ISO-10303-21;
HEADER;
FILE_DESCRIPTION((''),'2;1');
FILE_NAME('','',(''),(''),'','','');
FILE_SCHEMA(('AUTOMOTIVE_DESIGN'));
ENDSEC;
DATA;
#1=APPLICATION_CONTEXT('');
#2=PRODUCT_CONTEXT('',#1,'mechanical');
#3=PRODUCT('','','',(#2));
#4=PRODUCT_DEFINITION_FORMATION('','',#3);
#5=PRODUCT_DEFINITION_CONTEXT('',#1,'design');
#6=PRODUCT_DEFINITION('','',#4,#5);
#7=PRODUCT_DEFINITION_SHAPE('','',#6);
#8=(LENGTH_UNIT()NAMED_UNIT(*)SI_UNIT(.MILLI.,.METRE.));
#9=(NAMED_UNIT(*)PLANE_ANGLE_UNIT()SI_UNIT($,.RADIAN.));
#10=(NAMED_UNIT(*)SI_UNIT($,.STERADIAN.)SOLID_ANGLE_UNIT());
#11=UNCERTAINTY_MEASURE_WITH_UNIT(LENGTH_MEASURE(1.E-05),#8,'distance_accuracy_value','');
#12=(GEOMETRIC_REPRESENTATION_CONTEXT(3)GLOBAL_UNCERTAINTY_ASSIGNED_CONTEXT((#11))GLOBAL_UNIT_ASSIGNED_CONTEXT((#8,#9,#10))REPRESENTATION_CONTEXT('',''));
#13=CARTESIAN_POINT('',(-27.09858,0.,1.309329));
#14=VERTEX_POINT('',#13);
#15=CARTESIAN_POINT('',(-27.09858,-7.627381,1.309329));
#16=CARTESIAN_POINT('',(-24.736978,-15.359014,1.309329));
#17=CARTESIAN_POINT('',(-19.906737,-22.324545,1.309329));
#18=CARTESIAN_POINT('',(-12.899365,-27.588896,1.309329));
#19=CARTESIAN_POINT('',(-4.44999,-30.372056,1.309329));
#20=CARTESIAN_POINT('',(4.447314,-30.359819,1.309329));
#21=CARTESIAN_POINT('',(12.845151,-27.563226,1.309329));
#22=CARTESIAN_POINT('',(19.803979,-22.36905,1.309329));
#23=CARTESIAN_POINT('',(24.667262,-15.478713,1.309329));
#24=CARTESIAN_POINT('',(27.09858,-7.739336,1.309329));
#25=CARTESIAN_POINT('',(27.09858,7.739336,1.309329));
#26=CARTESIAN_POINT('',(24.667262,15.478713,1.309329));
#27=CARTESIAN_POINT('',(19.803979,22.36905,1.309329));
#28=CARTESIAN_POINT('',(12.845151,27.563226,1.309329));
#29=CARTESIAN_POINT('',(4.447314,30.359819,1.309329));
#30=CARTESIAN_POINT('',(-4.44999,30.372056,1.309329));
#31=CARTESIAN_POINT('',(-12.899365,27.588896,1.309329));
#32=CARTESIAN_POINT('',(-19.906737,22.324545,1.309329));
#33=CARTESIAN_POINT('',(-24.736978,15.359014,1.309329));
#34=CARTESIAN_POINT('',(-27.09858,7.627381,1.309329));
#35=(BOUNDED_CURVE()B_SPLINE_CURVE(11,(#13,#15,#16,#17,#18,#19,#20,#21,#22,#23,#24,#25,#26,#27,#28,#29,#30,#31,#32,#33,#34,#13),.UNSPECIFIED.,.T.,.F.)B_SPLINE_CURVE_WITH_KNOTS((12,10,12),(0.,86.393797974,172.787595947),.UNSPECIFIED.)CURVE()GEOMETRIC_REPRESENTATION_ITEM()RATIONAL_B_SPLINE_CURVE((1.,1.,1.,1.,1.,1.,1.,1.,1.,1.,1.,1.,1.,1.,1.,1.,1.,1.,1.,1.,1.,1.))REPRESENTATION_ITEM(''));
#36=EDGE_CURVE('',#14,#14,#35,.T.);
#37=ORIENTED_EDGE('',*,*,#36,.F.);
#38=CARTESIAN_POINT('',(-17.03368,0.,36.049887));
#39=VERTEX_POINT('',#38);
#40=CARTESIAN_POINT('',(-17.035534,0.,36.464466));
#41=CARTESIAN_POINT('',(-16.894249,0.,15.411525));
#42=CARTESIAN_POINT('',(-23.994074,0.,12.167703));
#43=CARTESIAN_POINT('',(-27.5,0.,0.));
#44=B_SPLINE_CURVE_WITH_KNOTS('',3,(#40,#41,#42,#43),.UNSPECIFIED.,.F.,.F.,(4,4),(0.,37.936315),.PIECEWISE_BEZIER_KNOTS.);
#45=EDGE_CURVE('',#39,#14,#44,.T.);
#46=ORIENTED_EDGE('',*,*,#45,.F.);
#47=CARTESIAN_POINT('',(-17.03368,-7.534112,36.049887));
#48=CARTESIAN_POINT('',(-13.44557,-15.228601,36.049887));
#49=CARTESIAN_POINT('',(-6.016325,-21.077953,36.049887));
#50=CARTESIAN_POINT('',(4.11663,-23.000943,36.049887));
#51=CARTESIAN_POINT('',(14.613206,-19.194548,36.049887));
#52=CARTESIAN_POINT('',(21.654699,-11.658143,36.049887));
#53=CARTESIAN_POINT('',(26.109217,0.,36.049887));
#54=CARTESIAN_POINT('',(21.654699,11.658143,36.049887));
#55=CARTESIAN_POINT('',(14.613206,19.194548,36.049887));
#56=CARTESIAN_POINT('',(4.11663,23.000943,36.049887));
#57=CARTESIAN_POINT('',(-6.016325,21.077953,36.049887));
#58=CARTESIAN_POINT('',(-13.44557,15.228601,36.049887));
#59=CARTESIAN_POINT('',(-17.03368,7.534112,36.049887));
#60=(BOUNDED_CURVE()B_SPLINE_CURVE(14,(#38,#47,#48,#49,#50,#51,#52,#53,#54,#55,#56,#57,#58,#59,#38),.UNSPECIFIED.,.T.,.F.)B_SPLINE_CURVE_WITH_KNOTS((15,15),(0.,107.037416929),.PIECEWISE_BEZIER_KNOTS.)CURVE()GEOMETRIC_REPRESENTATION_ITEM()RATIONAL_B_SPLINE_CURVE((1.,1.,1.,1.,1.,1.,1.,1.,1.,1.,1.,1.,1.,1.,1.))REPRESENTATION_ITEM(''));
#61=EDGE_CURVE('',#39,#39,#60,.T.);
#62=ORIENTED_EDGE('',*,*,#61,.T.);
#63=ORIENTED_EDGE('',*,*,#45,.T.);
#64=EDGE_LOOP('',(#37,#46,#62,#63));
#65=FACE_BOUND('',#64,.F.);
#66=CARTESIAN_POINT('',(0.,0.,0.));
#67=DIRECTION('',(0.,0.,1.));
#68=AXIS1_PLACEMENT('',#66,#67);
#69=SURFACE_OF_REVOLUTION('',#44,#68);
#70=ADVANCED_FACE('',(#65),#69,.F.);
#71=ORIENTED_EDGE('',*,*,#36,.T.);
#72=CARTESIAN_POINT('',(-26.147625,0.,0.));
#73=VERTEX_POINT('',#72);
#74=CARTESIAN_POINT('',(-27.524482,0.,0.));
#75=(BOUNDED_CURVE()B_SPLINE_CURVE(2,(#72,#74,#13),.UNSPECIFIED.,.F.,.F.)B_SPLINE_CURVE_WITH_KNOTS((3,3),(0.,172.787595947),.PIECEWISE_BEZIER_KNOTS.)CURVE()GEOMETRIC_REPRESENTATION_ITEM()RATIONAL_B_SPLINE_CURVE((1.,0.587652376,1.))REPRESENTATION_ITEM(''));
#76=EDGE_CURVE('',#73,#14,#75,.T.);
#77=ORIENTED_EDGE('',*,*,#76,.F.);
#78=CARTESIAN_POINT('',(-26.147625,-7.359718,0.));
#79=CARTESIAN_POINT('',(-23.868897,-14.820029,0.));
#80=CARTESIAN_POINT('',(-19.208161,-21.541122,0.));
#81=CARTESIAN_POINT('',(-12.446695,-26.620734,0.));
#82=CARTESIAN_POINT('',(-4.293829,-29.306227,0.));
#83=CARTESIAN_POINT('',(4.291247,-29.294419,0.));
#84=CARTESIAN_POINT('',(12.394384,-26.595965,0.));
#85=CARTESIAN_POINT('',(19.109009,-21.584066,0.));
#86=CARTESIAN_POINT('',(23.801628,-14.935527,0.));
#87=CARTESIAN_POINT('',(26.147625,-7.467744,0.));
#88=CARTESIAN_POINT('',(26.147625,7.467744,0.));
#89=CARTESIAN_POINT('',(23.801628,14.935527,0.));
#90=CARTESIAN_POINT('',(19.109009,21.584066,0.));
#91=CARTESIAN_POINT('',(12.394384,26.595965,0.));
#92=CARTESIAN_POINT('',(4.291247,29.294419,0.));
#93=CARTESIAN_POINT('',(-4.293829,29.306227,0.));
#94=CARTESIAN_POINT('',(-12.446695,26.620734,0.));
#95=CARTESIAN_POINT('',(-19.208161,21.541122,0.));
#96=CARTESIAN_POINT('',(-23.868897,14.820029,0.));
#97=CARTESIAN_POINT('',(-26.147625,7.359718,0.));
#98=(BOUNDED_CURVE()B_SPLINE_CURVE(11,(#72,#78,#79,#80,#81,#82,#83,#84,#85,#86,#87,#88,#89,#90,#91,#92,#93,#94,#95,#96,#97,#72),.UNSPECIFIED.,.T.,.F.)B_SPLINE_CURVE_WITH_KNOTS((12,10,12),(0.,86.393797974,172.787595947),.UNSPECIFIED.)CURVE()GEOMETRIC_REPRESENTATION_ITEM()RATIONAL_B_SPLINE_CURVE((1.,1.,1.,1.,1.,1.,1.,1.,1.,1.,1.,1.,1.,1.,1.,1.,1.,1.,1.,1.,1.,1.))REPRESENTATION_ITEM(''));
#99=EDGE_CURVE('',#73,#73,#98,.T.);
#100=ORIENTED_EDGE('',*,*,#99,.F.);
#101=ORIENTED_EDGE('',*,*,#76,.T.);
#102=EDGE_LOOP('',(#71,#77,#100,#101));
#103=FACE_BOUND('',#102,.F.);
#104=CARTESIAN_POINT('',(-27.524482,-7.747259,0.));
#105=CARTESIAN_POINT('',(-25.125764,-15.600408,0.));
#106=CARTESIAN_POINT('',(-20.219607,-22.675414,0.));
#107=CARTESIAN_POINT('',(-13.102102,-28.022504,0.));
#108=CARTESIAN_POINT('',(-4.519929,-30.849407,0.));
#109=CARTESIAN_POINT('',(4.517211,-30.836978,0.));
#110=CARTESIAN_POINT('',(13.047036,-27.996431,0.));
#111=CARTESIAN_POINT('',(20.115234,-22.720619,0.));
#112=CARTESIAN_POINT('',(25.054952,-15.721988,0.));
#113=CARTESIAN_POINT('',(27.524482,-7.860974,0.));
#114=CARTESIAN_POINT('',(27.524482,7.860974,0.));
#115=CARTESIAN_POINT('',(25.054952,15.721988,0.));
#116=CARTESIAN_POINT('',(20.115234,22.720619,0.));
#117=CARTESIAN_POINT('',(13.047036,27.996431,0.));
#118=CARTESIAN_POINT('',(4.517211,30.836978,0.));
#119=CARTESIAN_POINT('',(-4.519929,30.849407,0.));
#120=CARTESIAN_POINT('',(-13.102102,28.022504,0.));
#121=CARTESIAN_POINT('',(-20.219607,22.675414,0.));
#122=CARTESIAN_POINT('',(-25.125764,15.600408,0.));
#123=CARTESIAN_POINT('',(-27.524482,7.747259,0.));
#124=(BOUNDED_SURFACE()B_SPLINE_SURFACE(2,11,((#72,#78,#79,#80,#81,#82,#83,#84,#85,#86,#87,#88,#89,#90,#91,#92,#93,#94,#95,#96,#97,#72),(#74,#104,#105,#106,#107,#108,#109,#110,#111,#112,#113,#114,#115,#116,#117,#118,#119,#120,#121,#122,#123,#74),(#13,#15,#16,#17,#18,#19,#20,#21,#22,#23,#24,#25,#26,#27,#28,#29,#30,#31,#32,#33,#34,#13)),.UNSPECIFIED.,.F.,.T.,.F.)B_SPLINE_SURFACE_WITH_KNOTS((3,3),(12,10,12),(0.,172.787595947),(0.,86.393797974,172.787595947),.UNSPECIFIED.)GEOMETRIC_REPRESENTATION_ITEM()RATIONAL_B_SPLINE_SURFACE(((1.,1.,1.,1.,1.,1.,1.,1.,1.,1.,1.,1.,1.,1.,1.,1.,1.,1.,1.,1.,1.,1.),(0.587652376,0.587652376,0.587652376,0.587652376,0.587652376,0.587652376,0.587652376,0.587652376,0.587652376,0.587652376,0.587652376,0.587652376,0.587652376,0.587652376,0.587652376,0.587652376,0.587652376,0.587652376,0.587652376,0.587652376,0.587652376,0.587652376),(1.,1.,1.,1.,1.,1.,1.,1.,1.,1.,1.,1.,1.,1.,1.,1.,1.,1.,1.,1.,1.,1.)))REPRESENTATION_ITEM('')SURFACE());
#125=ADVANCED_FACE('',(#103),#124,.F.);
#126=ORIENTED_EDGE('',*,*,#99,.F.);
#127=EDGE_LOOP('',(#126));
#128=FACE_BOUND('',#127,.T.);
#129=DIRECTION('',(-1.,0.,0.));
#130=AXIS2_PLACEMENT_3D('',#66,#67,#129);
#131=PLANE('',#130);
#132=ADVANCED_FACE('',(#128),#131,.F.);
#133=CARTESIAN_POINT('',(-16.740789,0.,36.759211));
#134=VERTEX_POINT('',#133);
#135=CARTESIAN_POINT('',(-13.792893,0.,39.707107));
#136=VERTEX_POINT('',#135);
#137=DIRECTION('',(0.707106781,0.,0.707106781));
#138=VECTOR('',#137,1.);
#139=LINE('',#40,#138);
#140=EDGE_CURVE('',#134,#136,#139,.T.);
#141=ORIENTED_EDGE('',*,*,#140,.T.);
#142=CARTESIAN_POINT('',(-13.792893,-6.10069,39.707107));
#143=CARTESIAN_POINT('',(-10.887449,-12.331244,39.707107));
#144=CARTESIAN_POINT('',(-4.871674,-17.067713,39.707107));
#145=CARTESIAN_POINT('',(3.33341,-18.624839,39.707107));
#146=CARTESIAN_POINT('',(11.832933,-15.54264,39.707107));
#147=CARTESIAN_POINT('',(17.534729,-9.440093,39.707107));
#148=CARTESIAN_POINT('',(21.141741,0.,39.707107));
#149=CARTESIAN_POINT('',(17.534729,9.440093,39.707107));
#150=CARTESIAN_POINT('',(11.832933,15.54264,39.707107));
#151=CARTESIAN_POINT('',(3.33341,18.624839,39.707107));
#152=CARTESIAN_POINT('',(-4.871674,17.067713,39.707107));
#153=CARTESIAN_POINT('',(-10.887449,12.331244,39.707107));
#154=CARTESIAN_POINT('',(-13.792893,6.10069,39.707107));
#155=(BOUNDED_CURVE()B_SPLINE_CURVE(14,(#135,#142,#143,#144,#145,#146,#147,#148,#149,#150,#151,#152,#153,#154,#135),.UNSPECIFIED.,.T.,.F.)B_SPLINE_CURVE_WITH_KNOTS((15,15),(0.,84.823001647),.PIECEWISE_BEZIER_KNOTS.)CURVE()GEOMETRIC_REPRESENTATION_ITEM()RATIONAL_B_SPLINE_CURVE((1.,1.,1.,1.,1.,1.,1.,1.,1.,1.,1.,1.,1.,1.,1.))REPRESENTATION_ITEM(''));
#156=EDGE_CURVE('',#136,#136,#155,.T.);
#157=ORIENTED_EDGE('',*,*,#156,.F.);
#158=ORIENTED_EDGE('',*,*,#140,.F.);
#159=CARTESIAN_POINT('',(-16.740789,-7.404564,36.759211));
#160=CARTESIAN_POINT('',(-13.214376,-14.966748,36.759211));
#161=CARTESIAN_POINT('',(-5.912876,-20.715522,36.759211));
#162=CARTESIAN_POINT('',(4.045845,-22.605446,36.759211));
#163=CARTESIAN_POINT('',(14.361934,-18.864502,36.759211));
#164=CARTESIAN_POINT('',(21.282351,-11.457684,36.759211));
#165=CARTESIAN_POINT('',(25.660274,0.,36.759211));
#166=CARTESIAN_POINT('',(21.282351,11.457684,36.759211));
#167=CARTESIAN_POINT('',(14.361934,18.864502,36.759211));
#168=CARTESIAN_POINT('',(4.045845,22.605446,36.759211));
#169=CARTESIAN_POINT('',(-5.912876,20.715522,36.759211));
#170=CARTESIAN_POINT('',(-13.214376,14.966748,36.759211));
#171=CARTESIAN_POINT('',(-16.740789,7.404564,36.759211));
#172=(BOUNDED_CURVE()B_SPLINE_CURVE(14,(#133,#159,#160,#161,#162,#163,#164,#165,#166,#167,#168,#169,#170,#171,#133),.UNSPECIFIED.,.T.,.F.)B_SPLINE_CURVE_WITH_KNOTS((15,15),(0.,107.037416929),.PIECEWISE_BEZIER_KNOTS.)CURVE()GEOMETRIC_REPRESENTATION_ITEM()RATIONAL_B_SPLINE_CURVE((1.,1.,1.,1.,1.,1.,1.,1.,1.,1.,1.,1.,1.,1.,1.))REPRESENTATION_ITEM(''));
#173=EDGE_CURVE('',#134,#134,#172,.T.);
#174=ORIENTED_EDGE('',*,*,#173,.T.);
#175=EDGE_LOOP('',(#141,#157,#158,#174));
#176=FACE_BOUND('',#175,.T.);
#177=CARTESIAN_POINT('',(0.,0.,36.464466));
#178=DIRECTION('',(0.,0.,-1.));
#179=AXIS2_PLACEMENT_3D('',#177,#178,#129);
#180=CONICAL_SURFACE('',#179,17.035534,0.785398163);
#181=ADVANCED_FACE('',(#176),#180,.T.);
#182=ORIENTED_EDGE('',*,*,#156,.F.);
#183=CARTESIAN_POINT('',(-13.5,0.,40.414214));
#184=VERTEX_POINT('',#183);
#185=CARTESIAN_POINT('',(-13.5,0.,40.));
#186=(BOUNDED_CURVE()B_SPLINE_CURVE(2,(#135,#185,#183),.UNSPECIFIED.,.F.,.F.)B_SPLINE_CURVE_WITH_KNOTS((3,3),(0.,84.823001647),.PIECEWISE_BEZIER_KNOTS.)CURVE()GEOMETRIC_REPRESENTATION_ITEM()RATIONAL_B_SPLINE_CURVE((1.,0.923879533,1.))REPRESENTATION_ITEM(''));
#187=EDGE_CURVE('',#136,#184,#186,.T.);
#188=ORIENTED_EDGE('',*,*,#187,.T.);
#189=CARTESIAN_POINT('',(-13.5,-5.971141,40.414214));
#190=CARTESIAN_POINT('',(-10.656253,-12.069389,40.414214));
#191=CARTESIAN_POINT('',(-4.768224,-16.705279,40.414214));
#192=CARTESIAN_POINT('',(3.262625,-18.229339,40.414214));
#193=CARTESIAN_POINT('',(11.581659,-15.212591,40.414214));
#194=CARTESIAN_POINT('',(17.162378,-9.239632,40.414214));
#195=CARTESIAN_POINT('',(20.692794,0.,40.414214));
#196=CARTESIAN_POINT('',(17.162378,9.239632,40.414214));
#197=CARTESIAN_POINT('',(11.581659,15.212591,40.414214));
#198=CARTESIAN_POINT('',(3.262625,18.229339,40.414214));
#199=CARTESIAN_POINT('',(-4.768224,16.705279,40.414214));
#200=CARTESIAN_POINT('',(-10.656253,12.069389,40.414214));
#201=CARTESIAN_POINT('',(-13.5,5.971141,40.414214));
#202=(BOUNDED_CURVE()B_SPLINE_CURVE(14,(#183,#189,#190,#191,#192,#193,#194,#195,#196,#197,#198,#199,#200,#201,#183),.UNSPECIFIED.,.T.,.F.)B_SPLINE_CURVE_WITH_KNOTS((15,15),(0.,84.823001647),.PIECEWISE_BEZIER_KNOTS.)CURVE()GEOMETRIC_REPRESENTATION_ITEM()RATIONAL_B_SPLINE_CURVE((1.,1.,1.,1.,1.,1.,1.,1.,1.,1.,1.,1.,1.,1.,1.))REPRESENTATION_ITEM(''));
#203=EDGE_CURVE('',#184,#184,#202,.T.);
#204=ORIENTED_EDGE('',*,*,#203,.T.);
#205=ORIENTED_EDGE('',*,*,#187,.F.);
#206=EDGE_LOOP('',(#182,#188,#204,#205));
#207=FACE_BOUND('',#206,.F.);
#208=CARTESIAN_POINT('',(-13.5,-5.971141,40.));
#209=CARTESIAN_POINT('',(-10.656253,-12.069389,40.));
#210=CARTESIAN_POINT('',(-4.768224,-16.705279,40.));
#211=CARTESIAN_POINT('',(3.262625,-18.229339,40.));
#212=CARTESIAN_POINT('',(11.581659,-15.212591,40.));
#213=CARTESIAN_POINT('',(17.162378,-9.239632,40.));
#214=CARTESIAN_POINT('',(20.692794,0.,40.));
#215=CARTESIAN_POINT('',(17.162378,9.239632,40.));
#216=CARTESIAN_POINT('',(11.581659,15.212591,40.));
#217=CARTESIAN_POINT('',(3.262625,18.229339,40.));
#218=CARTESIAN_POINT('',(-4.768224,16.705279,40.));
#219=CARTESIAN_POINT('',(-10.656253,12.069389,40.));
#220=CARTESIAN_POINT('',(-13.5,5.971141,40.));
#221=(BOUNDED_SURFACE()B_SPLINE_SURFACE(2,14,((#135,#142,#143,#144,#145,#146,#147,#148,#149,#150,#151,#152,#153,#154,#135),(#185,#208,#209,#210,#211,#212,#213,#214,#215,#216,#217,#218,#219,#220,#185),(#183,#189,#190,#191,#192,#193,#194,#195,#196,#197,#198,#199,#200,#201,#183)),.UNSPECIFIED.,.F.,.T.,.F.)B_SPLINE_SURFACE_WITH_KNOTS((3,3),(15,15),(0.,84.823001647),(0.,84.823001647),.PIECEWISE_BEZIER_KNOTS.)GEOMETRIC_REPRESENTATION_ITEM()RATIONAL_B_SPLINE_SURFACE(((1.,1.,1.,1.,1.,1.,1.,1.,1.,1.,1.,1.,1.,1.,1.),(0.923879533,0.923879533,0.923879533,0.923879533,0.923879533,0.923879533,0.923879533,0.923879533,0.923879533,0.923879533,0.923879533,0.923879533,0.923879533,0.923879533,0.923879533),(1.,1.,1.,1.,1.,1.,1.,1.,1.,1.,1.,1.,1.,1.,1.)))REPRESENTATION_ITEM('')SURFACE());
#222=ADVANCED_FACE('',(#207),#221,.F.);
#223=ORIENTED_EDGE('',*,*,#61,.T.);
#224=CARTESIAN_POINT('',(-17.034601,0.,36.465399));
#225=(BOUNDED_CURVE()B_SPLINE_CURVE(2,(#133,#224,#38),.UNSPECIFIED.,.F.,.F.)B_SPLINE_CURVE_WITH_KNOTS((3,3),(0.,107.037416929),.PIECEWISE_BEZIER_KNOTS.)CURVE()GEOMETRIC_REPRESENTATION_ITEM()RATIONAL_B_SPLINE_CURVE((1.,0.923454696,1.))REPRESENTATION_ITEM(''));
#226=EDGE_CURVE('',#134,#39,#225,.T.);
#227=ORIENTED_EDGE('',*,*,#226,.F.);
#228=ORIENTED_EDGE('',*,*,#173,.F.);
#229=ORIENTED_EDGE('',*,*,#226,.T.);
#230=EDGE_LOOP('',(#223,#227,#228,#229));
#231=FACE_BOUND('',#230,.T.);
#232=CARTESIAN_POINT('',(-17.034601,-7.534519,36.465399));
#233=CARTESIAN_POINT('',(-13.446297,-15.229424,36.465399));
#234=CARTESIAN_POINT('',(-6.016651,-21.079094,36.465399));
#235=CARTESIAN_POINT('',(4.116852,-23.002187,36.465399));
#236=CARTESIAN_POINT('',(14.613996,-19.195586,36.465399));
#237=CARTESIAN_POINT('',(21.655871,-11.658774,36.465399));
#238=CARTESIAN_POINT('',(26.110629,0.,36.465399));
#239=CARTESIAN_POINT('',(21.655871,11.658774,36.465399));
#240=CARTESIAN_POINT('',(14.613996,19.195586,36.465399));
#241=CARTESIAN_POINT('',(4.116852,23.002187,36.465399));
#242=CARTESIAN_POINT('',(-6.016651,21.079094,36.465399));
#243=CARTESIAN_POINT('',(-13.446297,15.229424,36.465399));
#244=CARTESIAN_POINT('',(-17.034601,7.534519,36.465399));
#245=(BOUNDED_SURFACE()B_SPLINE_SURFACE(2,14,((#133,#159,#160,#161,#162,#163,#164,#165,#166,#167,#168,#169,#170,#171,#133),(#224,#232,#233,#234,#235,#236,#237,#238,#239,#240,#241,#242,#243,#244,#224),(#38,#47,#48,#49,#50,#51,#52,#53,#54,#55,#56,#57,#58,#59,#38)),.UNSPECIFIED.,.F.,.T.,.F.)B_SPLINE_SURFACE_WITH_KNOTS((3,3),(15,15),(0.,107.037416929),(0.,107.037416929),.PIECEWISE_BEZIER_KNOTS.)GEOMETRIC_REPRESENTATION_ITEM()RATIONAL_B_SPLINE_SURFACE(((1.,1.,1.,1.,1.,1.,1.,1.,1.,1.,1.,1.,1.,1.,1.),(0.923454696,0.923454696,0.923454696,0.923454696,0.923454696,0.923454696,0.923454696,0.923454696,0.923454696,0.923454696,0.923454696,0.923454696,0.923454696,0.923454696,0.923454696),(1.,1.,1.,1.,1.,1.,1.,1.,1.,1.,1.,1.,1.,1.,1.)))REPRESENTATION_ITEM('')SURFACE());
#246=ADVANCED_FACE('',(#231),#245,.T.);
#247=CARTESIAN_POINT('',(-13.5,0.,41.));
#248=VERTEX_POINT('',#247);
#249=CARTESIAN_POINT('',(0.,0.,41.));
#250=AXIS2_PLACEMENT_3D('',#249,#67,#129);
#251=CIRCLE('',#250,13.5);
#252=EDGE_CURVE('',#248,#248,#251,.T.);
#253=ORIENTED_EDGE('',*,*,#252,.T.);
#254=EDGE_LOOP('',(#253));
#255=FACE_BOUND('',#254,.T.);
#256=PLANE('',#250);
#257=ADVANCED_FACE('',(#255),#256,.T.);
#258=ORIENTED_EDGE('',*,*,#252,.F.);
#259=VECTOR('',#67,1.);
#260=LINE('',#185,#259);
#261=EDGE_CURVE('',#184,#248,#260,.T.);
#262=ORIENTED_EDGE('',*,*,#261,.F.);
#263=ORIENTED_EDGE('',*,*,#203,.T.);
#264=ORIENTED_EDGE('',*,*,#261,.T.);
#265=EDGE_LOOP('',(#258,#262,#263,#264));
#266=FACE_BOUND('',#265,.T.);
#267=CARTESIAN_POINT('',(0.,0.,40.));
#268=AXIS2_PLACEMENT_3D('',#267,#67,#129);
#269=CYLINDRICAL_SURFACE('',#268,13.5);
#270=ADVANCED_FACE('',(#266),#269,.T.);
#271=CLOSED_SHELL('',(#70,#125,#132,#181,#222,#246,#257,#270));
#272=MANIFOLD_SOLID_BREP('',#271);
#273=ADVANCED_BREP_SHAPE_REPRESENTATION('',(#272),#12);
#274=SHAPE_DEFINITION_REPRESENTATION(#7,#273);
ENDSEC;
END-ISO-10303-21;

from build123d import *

# Parameters (mm, degrees)
FILLET001_R = 1
FILLET002_R = 1
FILLET003_R = 1


with BuildPart() as part:
    # Sketch → Revolution (revolve)
    with BuildSketch(Plane.XZ):
        with BuildLine():
            Line((0, 41), (0, 0))
            Line((0, 0), (-27.5, 0))
            add(Edge.make_bspline(
                [(-17.035534, 36.464466), (-16.894249, 15.411525), (-23.994074, 12.167703), (-27.5, 0)],
                knots=[0, 0, 0, 0, 37.936315, 37.936315, 37.936315, 37.936315], degree=3))
            Line((-17.035534, 36.464466), (-13.5, 40))
            Line((-13.5, 40), (-13.5, 41))
            Line((-13.5, 41), (0, 41))
        make_face()
    revolve(axis=Axis((0, 0, 0), (0, 0, 1)))

    # Fillet001
    fillet001_edges = [part.edges().sort_by_distance(p)[0] for p in [
        (27.5, 0, 0),
    ]]
    fillet(fillet001_edges, radius=FILLET001_R)

    # Fillet002
    fillet002_edges = [part.edges().sort_by_distance(p)[0] for p in [
        (13.5, 0, 40),
    ]]
    fillet(fillet002_edges, radius=FILLET002_R)

    # Fillet003
    fillet003_edges = [part.edges().sort_by_distance(p)[0] for p in [
        (17.035534, 0, 36.464466),
    ]]
    fillet(fillet003_edges, radius=FILLET003_R)


solid = part.part
